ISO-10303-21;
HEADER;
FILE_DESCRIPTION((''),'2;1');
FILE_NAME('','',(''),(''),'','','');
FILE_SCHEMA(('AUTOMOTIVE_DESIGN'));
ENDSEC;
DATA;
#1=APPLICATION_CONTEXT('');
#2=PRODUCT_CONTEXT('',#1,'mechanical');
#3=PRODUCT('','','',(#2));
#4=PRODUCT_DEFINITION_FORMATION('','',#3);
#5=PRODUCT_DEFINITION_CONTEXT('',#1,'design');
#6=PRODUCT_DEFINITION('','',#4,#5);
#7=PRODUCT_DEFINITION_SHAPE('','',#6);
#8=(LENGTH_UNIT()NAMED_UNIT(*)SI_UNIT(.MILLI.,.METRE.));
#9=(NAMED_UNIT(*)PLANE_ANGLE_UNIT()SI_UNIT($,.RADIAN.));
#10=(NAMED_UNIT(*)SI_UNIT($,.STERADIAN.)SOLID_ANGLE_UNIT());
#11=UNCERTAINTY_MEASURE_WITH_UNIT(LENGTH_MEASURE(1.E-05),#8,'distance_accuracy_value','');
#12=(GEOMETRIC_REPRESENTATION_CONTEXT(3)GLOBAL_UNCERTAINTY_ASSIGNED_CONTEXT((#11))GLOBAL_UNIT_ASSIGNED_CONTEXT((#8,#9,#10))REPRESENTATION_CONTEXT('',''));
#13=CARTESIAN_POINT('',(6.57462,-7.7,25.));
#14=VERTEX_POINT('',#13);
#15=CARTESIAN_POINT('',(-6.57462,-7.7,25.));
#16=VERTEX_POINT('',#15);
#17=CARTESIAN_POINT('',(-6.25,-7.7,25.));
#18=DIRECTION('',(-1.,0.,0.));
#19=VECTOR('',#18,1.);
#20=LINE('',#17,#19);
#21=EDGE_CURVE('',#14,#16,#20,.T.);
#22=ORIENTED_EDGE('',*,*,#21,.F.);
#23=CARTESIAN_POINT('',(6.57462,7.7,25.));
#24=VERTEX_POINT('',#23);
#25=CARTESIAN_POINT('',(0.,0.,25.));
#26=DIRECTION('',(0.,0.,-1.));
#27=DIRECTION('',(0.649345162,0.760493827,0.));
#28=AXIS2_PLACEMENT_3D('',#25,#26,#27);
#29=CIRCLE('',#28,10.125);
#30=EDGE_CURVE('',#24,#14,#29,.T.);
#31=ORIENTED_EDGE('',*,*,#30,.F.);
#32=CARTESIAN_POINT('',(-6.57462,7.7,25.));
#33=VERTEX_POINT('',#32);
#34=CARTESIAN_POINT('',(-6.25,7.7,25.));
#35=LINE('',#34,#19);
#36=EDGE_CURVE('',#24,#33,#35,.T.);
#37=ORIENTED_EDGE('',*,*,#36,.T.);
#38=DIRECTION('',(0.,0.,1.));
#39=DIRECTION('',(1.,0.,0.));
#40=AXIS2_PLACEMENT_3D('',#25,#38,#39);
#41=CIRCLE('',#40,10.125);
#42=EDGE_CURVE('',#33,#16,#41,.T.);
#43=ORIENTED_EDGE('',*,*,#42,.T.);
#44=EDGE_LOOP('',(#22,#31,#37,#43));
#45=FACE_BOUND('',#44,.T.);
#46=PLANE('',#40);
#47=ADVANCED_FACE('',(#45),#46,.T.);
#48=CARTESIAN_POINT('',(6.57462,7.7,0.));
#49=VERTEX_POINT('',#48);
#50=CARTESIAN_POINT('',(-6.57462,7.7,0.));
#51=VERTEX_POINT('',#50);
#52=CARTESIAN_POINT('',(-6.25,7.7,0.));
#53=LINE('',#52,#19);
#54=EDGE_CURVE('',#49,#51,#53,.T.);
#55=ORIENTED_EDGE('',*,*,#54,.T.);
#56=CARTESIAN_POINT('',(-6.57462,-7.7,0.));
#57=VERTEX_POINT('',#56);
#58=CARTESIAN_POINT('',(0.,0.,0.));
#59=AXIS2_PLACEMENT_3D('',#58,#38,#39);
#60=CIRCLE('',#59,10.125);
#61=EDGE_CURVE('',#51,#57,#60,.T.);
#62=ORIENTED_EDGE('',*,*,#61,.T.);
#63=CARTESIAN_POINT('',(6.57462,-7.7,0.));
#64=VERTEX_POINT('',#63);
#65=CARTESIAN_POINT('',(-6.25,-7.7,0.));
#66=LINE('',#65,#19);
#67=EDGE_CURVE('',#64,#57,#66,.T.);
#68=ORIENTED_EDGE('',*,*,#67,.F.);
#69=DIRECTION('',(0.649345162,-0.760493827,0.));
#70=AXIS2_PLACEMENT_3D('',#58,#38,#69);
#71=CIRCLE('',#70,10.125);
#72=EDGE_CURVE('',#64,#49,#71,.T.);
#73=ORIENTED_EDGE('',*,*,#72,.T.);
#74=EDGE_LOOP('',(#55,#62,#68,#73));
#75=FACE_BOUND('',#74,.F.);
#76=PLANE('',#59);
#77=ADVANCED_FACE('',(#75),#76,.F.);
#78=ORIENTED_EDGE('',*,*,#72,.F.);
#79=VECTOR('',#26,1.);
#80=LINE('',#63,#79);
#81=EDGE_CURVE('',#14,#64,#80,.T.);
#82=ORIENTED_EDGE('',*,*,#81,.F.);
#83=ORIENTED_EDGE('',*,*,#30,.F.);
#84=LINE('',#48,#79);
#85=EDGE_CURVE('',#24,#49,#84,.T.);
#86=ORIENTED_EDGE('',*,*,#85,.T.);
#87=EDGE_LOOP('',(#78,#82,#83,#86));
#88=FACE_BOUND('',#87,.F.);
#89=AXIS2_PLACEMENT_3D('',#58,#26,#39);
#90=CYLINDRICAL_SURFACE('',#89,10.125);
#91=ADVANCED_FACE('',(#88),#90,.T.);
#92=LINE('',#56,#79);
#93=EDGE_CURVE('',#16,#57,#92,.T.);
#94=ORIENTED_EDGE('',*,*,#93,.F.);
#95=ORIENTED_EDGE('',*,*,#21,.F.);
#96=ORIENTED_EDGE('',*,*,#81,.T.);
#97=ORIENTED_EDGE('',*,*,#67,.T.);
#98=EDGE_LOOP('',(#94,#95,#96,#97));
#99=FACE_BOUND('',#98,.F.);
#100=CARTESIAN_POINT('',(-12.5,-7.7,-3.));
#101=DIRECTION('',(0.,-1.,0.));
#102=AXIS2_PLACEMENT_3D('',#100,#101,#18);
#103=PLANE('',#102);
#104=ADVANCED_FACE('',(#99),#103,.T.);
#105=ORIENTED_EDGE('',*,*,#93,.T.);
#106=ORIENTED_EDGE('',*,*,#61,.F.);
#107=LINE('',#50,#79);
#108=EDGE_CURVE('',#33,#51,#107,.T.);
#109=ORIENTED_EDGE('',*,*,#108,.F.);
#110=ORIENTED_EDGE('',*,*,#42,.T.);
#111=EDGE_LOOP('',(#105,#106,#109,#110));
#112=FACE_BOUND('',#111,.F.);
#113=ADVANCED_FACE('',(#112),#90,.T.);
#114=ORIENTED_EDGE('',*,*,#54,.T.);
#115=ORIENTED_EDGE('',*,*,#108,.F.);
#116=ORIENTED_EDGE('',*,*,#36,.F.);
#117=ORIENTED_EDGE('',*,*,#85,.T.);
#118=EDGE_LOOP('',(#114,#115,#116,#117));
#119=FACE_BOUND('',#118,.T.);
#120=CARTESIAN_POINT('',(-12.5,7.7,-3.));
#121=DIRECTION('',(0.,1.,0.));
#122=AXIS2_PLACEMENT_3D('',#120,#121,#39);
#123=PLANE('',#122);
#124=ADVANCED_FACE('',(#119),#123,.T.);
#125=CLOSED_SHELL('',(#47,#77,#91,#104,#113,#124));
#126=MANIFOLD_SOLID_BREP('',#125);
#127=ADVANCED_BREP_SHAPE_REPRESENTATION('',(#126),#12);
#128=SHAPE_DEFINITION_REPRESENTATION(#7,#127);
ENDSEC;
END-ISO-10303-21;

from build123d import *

# Parameters (mm, degrees)
BOX_W          = 25
BOX_H          = 10
BOX_DEPTH      = 30
CYLINDER_R     = 10.125
CYLINDER_DEPTH = 25


with BuildPart() as cubo_caras_planas_motor:
    # Box → Box (new body)
    with BuildSketch(Plane(origin=(-12.5, 7.7, -3), x_dir=(1, 0, 0), z_dir=(0, 0, 1))):
        with Locations((12.5, 5)):
            Rectangle(BOX_W, BOX_H)
    extrude(amount=BOX_DEPTH)


with BuildPart() as fusion_prismas_caras_planas:
    # Part__Mirroring: instance of Cubo caras planas motor
    add(cubo_caras_planas_motor.part.mirror(Plane(origin=(0, 0, 0), x_dir=(1, 0, 0), z_dir=(0, 1, 0))))

    # Fusion: union Cubo caras planas motor
    add(cubo_caras_planas_motor.part)


with BuildPart() as master_cuerpo_motor_con_offset_0_2_mm:
    # Cylinder → Cylinder (new body)
    with BuildSketch(Plane.XY):
        Circle(CYLINDER_R)
    extrude(amount=CYLINDER_DEPTH)

    # Cut: cut Fusion prismas caras planas
    add(fusion_prismas_caras_planas.part, mode=Mode.SUBTRACT)


solid = master_cuerpo_motor_con_offset_0_2_mm.part
